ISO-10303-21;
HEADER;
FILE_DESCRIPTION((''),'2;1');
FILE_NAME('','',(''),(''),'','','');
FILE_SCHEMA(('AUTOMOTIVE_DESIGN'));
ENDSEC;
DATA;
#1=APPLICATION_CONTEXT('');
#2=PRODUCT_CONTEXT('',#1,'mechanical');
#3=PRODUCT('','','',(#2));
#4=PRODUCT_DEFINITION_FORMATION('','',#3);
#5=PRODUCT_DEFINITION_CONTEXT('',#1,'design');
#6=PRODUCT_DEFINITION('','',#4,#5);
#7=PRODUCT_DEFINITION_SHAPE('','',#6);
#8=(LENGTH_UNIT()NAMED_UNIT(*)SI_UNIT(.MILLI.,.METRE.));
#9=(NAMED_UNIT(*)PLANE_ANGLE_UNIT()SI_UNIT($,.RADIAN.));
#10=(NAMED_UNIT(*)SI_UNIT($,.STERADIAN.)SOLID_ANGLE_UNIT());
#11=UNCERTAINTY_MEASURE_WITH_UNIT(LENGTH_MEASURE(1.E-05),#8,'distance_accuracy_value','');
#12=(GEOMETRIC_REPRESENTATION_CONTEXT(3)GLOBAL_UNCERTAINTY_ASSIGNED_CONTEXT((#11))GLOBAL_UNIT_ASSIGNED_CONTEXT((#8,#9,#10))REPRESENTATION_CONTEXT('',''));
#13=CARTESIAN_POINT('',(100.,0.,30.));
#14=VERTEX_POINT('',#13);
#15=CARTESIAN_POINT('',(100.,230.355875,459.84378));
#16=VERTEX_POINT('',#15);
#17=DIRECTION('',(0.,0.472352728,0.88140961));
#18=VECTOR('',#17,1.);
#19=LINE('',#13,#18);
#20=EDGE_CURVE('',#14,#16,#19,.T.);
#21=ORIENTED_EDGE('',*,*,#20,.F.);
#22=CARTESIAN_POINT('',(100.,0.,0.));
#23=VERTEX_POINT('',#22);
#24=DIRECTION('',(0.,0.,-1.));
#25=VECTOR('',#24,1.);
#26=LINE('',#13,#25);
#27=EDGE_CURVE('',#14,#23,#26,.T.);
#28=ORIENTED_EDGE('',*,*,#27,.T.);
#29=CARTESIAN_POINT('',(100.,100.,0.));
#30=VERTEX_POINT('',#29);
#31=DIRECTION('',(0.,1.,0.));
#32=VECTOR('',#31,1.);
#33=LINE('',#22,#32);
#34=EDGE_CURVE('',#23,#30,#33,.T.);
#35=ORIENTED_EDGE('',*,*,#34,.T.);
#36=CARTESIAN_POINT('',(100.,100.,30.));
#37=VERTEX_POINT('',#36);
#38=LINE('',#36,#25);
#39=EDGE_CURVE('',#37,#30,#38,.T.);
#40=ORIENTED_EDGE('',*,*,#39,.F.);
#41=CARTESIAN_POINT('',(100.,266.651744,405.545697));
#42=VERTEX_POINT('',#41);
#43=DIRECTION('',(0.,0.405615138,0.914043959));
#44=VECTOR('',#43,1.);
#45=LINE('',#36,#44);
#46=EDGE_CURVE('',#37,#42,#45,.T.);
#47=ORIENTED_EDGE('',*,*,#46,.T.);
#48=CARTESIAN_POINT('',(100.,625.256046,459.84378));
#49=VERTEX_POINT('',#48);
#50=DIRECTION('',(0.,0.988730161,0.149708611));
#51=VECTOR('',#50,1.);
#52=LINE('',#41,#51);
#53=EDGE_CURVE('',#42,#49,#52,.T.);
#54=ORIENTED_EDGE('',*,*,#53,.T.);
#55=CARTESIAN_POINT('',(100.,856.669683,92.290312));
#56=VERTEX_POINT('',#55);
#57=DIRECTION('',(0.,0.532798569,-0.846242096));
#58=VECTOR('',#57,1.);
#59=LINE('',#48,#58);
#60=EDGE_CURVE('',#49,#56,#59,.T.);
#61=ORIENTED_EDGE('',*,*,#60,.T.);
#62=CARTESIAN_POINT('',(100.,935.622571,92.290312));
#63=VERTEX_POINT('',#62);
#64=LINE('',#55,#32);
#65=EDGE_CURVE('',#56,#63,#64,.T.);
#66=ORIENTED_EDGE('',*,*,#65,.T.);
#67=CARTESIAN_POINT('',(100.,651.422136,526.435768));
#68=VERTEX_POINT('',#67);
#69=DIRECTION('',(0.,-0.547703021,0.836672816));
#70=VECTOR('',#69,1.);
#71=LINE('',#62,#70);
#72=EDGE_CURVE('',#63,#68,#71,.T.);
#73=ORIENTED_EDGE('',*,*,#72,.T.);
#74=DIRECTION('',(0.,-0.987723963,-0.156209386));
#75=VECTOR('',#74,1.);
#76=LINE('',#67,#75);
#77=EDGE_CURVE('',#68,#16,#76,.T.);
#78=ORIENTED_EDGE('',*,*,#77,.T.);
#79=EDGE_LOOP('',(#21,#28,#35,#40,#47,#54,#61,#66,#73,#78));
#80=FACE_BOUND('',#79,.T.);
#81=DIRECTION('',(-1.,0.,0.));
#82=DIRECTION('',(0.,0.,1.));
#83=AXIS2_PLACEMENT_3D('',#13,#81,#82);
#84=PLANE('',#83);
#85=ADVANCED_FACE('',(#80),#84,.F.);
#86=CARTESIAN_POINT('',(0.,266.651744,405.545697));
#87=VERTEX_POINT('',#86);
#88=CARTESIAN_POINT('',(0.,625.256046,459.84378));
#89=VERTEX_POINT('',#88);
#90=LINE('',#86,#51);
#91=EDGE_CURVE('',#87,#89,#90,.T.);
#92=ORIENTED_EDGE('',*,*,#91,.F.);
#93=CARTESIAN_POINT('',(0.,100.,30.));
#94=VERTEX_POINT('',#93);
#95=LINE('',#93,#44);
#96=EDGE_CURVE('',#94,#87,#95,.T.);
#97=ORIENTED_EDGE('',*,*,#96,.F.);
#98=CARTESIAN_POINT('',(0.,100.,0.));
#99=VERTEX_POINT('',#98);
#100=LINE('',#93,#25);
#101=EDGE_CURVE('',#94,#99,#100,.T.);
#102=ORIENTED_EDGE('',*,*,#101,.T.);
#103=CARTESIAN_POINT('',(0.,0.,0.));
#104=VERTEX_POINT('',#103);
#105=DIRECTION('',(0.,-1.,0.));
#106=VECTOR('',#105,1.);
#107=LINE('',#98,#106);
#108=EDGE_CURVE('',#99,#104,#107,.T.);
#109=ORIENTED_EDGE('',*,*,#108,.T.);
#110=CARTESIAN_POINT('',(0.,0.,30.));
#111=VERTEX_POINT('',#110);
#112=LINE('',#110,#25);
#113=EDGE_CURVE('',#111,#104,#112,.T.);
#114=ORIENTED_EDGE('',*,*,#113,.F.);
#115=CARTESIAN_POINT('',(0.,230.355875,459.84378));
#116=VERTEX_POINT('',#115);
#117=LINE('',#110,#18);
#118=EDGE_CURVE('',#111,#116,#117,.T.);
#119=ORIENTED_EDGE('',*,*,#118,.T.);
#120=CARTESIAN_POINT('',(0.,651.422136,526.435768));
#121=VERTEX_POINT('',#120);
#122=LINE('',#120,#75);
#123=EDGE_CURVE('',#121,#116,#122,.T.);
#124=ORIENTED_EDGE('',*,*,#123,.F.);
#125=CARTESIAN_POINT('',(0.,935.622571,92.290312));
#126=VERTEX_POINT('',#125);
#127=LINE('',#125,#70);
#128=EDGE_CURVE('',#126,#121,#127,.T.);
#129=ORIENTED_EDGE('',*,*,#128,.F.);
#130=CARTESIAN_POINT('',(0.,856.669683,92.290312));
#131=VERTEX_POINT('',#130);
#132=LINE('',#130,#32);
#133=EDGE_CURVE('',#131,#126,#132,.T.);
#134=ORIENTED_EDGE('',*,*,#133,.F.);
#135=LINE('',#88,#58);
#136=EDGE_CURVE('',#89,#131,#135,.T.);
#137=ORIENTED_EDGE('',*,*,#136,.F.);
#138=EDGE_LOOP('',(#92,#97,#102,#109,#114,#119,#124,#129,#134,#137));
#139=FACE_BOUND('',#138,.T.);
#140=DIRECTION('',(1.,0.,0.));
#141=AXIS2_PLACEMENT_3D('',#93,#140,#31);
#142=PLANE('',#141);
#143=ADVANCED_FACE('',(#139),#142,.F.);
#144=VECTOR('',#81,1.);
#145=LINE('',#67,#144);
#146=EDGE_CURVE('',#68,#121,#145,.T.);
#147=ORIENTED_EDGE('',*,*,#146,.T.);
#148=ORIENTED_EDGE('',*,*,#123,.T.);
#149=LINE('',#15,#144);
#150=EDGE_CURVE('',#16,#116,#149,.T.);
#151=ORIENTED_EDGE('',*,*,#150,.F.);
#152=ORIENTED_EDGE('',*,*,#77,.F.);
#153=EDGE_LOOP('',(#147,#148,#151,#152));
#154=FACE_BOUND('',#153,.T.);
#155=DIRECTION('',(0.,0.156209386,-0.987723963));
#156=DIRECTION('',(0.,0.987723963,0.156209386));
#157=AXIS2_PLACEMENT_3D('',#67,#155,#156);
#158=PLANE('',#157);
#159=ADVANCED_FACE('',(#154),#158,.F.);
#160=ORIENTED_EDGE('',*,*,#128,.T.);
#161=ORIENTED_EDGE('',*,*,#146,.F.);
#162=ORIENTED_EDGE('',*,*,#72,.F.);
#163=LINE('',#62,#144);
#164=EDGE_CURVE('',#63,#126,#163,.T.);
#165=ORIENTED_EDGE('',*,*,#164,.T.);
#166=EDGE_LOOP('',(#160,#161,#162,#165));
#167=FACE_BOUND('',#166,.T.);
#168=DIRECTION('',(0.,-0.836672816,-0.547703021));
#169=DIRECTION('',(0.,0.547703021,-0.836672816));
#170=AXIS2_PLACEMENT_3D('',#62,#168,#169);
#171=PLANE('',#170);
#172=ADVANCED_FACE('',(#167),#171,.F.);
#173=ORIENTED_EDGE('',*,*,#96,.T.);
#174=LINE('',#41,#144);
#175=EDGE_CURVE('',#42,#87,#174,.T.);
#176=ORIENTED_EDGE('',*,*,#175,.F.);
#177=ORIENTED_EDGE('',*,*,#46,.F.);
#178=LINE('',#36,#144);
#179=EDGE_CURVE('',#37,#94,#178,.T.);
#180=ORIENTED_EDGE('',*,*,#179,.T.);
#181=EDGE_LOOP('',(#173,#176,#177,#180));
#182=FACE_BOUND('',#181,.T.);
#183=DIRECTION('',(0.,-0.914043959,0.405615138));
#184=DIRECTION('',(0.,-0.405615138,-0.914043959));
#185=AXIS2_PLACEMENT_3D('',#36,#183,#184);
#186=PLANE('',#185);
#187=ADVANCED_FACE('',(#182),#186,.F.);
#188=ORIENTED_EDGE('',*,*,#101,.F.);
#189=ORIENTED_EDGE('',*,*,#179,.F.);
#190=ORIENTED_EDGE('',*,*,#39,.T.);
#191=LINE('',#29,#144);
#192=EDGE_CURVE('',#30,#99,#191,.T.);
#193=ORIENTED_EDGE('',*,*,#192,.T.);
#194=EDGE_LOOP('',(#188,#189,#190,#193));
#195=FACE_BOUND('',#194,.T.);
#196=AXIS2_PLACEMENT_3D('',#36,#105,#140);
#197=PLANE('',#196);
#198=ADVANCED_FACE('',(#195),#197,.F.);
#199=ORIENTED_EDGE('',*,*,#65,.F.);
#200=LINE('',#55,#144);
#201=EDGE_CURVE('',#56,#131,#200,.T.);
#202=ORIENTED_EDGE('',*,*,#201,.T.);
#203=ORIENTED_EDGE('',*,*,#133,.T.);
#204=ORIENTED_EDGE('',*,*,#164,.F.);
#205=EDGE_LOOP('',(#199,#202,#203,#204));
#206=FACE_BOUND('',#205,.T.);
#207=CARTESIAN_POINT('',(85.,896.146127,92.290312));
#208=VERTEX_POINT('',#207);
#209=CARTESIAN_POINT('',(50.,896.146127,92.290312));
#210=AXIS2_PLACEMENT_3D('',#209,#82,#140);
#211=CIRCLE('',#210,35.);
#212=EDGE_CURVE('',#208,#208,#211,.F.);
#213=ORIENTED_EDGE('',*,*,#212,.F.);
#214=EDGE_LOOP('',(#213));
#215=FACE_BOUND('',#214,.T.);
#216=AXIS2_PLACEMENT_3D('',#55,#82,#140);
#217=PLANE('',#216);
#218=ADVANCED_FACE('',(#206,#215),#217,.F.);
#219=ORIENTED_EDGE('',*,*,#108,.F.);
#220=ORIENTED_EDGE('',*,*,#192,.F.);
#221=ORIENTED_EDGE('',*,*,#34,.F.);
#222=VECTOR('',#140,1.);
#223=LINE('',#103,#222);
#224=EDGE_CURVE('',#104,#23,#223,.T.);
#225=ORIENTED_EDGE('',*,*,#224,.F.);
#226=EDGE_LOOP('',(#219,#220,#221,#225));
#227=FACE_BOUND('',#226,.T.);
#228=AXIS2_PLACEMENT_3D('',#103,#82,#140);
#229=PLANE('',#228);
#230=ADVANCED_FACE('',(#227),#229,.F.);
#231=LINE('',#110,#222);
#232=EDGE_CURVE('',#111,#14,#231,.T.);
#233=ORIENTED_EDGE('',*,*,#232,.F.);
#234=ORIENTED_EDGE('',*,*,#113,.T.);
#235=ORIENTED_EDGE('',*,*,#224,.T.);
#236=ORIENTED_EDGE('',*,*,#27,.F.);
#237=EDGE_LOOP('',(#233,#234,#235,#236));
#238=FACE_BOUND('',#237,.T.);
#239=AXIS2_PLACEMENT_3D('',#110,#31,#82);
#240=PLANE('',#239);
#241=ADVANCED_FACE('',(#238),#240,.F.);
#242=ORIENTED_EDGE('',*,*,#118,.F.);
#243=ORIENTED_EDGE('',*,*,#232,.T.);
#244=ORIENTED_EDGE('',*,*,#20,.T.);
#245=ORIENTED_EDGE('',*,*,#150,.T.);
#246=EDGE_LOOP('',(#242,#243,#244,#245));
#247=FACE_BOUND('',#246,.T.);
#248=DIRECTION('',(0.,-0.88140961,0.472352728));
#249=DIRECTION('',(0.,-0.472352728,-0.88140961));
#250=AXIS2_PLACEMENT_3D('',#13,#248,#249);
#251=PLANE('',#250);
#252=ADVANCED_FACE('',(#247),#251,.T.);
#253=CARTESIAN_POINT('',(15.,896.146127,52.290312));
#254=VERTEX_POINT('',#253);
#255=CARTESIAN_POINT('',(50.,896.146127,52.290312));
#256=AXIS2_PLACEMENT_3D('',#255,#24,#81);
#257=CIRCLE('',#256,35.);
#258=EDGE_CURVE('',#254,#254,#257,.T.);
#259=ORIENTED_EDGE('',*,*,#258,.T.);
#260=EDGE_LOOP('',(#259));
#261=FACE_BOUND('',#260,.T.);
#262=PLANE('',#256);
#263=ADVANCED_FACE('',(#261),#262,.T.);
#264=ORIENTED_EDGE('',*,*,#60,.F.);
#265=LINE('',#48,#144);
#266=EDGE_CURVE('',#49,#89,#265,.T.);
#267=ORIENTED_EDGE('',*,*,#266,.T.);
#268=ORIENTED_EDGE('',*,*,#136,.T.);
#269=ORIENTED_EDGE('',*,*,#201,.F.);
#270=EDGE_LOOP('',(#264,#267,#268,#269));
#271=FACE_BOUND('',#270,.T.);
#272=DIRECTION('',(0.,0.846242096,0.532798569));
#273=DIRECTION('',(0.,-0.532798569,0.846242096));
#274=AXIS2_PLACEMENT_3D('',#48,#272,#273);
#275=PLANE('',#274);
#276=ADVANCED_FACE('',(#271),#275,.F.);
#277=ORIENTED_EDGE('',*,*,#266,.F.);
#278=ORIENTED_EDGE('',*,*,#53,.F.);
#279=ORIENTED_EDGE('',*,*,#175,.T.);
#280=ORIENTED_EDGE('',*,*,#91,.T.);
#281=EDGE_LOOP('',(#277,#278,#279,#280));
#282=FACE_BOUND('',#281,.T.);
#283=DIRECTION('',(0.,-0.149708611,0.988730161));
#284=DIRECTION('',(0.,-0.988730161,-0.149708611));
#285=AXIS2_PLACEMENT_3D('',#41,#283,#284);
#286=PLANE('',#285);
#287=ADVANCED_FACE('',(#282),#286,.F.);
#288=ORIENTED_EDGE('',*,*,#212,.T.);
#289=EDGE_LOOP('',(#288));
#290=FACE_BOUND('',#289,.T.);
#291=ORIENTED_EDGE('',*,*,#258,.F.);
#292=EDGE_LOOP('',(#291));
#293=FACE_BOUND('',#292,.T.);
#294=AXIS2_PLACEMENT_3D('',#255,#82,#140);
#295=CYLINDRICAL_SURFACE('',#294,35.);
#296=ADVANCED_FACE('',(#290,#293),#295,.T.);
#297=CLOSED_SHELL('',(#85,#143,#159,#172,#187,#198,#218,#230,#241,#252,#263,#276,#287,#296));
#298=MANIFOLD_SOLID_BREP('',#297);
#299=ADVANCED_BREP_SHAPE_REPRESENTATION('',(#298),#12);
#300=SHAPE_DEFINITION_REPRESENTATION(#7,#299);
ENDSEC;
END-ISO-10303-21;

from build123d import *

# Parameters (mm, degrees)
SKETCH1_W           = 100
SKETCH1_H           = 100
BOSS_EXTRUDE1_DEPTH = 30
BOSS_EXTRUDE2_DEPTH = 100
SKETCH4_R           = 35
BOSS_EXTRUDE3_DEPTH = 40


with BuildPart() as part:
    # Sketch1 → Boss-Extrude1 (new body)
    with BuildSketch(Plane.XY):
        with Locations((50, 50)):
            Rectangle(SKETCH1_W, SKETCH1_H)
    extrude(amount=BOSS_EXTRUDE1_DEPTH)

    # Sketch2 → Boss-Extrude2 (add)
    with BuildSketch(Plane(origin=(0, 0, 0), x_dir=(0, 0, -1), z_dir=(1, 0, 0))):
        Polygon((-30, 100), (-405.545697471, 266.651744151), (-459.843779827, 625.256045564), (-92.290312011, 856.669682909), (-92.290312011, 935.622570944), (-526.435767621, 651.422136489), (-459.843779827, 230.355875203), (-30, 0), align=None)
    extrude(amount=BOSS_EXTRUDE2_DEPTH)

    # Sketch4 → Boss-Extrude3 (add)
    with BuildSketch(Plane(origin=(0, 0, 92.290312011), x_dir=(-1, 0, 0), z_dir=(0, 0, -1))):
        with Locations((-50, 896.146126927)):
            Circle(SKETCH4_R)
    extrude(amount=BOSS_EXTRUDE3_DEPTH)


solid = part.part
